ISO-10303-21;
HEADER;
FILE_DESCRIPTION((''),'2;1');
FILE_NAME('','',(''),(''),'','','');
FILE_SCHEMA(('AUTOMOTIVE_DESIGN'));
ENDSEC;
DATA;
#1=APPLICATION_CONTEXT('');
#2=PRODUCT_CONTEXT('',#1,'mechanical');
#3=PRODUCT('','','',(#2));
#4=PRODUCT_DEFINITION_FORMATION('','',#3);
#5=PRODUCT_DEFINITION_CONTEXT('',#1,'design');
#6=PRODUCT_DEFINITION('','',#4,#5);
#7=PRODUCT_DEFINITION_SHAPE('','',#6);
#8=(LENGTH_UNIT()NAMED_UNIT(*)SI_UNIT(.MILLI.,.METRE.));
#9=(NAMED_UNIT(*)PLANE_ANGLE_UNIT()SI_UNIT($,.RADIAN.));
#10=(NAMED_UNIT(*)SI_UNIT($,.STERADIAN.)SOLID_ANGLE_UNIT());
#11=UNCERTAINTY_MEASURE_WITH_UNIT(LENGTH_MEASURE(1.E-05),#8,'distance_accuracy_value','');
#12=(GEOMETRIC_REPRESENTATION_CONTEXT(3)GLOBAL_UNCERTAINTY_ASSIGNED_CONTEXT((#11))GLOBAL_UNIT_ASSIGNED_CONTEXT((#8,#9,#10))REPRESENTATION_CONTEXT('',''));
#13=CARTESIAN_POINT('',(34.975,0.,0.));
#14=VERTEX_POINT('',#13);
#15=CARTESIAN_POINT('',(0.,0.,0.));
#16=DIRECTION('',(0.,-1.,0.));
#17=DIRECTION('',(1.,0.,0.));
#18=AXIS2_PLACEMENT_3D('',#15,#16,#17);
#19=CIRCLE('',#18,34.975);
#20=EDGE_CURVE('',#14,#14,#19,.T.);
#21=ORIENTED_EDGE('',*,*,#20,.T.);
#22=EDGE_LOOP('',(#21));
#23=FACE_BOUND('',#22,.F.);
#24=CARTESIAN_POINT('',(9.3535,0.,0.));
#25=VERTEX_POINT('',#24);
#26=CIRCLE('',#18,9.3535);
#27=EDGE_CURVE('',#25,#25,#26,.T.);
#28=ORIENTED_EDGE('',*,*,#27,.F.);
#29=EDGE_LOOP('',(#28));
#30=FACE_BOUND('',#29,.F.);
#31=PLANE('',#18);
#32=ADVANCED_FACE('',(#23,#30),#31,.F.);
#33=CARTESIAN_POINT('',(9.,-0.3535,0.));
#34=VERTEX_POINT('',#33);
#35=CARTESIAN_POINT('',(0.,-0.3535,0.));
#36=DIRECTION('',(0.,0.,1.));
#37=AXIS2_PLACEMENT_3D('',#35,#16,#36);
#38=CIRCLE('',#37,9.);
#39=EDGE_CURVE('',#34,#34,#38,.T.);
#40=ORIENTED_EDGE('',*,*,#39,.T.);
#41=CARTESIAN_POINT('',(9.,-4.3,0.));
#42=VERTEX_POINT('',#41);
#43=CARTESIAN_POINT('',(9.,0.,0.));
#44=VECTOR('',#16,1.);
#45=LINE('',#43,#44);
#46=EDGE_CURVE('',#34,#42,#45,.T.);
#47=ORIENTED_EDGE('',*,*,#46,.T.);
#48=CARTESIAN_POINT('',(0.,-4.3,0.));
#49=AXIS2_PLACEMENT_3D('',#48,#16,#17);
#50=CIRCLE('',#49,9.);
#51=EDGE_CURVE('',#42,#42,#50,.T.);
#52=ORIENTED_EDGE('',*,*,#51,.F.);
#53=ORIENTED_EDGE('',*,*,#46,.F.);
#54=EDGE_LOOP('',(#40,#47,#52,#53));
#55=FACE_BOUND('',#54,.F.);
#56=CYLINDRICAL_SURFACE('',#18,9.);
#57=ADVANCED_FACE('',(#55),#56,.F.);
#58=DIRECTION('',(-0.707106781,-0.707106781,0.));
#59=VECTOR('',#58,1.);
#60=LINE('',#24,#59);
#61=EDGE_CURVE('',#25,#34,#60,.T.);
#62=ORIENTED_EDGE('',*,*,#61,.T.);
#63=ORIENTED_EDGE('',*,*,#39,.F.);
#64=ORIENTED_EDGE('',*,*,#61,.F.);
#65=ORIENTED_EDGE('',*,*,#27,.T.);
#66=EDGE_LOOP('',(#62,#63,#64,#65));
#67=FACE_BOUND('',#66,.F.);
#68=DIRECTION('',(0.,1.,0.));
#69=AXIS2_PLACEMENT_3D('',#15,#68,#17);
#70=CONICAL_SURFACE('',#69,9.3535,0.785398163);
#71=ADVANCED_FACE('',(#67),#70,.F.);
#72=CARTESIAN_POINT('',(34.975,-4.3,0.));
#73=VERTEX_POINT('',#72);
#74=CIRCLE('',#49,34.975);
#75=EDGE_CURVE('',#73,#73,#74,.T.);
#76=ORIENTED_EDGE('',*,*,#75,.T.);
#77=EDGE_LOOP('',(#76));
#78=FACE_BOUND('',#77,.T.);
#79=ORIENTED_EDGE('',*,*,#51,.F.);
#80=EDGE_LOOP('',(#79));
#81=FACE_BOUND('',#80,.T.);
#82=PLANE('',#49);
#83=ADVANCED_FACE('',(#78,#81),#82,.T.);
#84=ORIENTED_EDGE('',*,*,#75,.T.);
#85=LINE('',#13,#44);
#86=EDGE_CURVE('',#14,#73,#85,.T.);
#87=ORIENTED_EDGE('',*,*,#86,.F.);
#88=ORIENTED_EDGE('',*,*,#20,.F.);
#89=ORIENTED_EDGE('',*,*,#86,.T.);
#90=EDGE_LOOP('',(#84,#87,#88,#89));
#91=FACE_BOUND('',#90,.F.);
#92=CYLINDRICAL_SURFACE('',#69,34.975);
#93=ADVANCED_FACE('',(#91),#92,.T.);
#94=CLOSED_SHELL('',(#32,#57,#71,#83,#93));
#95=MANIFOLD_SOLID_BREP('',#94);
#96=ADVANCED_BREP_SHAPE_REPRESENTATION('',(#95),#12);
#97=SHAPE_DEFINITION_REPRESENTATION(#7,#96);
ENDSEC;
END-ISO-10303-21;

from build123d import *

# Parameters (mm, degrees)
F0_R           = 34.975
F1_DEPTH       = 4.3
F3_D           = 18
F3_CSINK_D     = 18.707
F3_CSINK_ANGLE = 90


with BuildPart() as f1:
    # F0 (on Front) → F1 (new body)
    with BuildSketch(Plane.XZ):
        Circle(F0_R)
    extrude(amount=F1_DEPTH)

    # F3 (through all)
    with Locations(Plane(origin=(0, 0, 0), x_dir=(-1, 0, 0), z_dir=(0, 1, 0))):
        with Locations((0, 0)):
            CounterSinkHole(F3_D / 2, F3_CSINK_D / 2, counter_sink_angle=F3_CSINK_ANGLE)


solid = f1.part
